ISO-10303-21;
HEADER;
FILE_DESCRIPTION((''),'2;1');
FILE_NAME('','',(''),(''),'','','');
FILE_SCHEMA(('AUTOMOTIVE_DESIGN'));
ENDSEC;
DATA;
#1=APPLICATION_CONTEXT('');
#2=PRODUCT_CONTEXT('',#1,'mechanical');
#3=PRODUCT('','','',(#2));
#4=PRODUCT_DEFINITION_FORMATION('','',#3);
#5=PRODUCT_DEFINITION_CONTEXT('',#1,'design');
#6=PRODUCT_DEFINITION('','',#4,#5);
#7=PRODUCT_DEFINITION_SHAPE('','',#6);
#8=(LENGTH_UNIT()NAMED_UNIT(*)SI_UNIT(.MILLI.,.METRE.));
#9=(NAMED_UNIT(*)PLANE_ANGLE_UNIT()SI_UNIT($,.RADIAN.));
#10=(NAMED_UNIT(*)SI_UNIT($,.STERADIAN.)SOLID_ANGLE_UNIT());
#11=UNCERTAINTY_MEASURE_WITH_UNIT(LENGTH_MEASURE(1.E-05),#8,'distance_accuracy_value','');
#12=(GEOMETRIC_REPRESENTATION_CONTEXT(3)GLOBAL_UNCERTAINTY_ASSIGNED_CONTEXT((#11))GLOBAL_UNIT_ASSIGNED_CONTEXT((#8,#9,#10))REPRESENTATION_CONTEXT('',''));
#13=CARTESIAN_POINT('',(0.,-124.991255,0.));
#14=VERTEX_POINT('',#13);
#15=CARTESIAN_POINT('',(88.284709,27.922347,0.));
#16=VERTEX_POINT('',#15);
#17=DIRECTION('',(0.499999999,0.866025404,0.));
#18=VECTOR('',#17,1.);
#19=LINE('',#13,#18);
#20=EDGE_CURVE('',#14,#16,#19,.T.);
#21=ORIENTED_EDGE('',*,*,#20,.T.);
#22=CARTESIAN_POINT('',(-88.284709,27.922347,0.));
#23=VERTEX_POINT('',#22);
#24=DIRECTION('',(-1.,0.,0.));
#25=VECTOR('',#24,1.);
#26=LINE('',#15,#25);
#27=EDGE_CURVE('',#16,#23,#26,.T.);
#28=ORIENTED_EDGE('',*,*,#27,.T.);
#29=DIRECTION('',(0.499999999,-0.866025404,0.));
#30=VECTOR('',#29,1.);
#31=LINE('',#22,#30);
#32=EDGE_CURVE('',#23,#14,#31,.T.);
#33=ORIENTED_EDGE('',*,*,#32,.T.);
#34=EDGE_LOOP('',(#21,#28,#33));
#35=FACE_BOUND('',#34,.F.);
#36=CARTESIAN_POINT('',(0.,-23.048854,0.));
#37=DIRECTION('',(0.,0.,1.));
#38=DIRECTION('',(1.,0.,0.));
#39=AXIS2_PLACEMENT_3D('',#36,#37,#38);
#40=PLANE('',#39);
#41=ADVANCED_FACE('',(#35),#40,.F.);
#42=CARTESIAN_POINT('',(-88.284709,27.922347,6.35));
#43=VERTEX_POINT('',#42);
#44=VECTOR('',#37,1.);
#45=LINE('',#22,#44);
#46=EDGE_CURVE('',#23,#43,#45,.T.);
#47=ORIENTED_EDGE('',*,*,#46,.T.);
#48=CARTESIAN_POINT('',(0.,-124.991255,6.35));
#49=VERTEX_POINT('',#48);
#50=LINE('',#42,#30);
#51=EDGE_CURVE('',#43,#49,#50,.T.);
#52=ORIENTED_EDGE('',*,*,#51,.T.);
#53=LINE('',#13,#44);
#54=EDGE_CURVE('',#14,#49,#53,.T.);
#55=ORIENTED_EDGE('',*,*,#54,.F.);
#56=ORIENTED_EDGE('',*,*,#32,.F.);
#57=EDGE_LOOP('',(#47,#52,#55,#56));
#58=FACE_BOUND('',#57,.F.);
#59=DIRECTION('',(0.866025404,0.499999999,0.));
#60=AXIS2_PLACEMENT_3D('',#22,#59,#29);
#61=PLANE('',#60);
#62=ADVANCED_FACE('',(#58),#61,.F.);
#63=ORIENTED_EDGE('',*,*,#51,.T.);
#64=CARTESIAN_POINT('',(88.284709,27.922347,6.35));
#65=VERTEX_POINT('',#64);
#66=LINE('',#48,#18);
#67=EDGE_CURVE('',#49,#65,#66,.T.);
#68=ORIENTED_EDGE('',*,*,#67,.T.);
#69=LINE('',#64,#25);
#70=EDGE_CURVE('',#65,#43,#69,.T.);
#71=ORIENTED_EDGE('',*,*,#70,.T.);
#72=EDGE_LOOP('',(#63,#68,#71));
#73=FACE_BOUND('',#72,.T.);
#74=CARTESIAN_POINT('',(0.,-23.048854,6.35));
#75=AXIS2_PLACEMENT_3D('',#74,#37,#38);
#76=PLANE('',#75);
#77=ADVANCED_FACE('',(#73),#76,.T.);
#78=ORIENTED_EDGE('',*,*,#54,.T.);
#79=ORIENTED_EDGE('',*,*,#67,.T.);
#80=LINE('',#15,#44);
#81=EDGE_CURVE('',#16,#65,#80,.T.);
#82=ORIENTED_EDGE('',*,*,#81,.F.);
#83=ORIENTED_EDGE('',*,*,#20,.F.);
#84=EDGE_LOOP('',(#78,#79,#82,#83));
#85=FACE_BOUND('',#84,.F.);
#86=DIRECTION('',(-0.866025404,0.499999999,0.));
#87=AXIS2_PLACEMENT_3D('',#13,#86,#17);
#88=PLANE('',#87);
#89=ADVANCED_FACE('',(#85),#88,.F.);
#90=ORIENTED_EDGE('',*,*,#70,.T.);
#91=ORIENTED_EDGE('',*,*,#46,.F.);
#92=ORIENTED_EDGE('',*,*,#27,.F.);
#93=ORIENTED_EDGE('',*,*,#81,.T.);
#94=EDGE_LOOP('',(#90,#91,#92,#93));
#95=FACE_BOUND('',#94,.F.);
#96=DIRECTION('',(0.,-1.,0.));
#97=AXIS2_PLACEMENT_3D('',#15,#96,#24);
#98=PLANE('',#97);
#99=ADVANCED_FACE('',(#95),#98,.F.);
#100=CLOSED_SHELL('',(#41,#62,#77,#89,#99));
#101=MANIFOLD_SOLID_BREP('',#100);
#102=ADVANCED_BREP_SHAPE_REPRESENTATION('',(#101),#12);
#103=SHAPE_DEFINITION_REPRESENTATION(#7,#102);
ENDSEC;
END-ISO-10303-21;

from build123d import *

# Parameters (mm, degrees)
F1_DEPTH = 6.35
F2_DEPTH = 6.35


with BuildPart() as f1:
    # F0 (on Top) → F1 (new body)
    with BuildSketch(Plane.XY):
        Polygon((88.284709, 27.922347), (-88.284709, 27.922347), (0, -124.991255), align=None)
    extrude(amount=F1_DEPTH)

    # F0 (on Top) → F2 (join)
    with BuildSketch(Plane.XY):
        Polygon((88.284709, 27.922347), (-88.284709, 27.922347), (0, -124.991255), align=None)
    extrude(amount=F2_DEPTH)


solid = f1.part
